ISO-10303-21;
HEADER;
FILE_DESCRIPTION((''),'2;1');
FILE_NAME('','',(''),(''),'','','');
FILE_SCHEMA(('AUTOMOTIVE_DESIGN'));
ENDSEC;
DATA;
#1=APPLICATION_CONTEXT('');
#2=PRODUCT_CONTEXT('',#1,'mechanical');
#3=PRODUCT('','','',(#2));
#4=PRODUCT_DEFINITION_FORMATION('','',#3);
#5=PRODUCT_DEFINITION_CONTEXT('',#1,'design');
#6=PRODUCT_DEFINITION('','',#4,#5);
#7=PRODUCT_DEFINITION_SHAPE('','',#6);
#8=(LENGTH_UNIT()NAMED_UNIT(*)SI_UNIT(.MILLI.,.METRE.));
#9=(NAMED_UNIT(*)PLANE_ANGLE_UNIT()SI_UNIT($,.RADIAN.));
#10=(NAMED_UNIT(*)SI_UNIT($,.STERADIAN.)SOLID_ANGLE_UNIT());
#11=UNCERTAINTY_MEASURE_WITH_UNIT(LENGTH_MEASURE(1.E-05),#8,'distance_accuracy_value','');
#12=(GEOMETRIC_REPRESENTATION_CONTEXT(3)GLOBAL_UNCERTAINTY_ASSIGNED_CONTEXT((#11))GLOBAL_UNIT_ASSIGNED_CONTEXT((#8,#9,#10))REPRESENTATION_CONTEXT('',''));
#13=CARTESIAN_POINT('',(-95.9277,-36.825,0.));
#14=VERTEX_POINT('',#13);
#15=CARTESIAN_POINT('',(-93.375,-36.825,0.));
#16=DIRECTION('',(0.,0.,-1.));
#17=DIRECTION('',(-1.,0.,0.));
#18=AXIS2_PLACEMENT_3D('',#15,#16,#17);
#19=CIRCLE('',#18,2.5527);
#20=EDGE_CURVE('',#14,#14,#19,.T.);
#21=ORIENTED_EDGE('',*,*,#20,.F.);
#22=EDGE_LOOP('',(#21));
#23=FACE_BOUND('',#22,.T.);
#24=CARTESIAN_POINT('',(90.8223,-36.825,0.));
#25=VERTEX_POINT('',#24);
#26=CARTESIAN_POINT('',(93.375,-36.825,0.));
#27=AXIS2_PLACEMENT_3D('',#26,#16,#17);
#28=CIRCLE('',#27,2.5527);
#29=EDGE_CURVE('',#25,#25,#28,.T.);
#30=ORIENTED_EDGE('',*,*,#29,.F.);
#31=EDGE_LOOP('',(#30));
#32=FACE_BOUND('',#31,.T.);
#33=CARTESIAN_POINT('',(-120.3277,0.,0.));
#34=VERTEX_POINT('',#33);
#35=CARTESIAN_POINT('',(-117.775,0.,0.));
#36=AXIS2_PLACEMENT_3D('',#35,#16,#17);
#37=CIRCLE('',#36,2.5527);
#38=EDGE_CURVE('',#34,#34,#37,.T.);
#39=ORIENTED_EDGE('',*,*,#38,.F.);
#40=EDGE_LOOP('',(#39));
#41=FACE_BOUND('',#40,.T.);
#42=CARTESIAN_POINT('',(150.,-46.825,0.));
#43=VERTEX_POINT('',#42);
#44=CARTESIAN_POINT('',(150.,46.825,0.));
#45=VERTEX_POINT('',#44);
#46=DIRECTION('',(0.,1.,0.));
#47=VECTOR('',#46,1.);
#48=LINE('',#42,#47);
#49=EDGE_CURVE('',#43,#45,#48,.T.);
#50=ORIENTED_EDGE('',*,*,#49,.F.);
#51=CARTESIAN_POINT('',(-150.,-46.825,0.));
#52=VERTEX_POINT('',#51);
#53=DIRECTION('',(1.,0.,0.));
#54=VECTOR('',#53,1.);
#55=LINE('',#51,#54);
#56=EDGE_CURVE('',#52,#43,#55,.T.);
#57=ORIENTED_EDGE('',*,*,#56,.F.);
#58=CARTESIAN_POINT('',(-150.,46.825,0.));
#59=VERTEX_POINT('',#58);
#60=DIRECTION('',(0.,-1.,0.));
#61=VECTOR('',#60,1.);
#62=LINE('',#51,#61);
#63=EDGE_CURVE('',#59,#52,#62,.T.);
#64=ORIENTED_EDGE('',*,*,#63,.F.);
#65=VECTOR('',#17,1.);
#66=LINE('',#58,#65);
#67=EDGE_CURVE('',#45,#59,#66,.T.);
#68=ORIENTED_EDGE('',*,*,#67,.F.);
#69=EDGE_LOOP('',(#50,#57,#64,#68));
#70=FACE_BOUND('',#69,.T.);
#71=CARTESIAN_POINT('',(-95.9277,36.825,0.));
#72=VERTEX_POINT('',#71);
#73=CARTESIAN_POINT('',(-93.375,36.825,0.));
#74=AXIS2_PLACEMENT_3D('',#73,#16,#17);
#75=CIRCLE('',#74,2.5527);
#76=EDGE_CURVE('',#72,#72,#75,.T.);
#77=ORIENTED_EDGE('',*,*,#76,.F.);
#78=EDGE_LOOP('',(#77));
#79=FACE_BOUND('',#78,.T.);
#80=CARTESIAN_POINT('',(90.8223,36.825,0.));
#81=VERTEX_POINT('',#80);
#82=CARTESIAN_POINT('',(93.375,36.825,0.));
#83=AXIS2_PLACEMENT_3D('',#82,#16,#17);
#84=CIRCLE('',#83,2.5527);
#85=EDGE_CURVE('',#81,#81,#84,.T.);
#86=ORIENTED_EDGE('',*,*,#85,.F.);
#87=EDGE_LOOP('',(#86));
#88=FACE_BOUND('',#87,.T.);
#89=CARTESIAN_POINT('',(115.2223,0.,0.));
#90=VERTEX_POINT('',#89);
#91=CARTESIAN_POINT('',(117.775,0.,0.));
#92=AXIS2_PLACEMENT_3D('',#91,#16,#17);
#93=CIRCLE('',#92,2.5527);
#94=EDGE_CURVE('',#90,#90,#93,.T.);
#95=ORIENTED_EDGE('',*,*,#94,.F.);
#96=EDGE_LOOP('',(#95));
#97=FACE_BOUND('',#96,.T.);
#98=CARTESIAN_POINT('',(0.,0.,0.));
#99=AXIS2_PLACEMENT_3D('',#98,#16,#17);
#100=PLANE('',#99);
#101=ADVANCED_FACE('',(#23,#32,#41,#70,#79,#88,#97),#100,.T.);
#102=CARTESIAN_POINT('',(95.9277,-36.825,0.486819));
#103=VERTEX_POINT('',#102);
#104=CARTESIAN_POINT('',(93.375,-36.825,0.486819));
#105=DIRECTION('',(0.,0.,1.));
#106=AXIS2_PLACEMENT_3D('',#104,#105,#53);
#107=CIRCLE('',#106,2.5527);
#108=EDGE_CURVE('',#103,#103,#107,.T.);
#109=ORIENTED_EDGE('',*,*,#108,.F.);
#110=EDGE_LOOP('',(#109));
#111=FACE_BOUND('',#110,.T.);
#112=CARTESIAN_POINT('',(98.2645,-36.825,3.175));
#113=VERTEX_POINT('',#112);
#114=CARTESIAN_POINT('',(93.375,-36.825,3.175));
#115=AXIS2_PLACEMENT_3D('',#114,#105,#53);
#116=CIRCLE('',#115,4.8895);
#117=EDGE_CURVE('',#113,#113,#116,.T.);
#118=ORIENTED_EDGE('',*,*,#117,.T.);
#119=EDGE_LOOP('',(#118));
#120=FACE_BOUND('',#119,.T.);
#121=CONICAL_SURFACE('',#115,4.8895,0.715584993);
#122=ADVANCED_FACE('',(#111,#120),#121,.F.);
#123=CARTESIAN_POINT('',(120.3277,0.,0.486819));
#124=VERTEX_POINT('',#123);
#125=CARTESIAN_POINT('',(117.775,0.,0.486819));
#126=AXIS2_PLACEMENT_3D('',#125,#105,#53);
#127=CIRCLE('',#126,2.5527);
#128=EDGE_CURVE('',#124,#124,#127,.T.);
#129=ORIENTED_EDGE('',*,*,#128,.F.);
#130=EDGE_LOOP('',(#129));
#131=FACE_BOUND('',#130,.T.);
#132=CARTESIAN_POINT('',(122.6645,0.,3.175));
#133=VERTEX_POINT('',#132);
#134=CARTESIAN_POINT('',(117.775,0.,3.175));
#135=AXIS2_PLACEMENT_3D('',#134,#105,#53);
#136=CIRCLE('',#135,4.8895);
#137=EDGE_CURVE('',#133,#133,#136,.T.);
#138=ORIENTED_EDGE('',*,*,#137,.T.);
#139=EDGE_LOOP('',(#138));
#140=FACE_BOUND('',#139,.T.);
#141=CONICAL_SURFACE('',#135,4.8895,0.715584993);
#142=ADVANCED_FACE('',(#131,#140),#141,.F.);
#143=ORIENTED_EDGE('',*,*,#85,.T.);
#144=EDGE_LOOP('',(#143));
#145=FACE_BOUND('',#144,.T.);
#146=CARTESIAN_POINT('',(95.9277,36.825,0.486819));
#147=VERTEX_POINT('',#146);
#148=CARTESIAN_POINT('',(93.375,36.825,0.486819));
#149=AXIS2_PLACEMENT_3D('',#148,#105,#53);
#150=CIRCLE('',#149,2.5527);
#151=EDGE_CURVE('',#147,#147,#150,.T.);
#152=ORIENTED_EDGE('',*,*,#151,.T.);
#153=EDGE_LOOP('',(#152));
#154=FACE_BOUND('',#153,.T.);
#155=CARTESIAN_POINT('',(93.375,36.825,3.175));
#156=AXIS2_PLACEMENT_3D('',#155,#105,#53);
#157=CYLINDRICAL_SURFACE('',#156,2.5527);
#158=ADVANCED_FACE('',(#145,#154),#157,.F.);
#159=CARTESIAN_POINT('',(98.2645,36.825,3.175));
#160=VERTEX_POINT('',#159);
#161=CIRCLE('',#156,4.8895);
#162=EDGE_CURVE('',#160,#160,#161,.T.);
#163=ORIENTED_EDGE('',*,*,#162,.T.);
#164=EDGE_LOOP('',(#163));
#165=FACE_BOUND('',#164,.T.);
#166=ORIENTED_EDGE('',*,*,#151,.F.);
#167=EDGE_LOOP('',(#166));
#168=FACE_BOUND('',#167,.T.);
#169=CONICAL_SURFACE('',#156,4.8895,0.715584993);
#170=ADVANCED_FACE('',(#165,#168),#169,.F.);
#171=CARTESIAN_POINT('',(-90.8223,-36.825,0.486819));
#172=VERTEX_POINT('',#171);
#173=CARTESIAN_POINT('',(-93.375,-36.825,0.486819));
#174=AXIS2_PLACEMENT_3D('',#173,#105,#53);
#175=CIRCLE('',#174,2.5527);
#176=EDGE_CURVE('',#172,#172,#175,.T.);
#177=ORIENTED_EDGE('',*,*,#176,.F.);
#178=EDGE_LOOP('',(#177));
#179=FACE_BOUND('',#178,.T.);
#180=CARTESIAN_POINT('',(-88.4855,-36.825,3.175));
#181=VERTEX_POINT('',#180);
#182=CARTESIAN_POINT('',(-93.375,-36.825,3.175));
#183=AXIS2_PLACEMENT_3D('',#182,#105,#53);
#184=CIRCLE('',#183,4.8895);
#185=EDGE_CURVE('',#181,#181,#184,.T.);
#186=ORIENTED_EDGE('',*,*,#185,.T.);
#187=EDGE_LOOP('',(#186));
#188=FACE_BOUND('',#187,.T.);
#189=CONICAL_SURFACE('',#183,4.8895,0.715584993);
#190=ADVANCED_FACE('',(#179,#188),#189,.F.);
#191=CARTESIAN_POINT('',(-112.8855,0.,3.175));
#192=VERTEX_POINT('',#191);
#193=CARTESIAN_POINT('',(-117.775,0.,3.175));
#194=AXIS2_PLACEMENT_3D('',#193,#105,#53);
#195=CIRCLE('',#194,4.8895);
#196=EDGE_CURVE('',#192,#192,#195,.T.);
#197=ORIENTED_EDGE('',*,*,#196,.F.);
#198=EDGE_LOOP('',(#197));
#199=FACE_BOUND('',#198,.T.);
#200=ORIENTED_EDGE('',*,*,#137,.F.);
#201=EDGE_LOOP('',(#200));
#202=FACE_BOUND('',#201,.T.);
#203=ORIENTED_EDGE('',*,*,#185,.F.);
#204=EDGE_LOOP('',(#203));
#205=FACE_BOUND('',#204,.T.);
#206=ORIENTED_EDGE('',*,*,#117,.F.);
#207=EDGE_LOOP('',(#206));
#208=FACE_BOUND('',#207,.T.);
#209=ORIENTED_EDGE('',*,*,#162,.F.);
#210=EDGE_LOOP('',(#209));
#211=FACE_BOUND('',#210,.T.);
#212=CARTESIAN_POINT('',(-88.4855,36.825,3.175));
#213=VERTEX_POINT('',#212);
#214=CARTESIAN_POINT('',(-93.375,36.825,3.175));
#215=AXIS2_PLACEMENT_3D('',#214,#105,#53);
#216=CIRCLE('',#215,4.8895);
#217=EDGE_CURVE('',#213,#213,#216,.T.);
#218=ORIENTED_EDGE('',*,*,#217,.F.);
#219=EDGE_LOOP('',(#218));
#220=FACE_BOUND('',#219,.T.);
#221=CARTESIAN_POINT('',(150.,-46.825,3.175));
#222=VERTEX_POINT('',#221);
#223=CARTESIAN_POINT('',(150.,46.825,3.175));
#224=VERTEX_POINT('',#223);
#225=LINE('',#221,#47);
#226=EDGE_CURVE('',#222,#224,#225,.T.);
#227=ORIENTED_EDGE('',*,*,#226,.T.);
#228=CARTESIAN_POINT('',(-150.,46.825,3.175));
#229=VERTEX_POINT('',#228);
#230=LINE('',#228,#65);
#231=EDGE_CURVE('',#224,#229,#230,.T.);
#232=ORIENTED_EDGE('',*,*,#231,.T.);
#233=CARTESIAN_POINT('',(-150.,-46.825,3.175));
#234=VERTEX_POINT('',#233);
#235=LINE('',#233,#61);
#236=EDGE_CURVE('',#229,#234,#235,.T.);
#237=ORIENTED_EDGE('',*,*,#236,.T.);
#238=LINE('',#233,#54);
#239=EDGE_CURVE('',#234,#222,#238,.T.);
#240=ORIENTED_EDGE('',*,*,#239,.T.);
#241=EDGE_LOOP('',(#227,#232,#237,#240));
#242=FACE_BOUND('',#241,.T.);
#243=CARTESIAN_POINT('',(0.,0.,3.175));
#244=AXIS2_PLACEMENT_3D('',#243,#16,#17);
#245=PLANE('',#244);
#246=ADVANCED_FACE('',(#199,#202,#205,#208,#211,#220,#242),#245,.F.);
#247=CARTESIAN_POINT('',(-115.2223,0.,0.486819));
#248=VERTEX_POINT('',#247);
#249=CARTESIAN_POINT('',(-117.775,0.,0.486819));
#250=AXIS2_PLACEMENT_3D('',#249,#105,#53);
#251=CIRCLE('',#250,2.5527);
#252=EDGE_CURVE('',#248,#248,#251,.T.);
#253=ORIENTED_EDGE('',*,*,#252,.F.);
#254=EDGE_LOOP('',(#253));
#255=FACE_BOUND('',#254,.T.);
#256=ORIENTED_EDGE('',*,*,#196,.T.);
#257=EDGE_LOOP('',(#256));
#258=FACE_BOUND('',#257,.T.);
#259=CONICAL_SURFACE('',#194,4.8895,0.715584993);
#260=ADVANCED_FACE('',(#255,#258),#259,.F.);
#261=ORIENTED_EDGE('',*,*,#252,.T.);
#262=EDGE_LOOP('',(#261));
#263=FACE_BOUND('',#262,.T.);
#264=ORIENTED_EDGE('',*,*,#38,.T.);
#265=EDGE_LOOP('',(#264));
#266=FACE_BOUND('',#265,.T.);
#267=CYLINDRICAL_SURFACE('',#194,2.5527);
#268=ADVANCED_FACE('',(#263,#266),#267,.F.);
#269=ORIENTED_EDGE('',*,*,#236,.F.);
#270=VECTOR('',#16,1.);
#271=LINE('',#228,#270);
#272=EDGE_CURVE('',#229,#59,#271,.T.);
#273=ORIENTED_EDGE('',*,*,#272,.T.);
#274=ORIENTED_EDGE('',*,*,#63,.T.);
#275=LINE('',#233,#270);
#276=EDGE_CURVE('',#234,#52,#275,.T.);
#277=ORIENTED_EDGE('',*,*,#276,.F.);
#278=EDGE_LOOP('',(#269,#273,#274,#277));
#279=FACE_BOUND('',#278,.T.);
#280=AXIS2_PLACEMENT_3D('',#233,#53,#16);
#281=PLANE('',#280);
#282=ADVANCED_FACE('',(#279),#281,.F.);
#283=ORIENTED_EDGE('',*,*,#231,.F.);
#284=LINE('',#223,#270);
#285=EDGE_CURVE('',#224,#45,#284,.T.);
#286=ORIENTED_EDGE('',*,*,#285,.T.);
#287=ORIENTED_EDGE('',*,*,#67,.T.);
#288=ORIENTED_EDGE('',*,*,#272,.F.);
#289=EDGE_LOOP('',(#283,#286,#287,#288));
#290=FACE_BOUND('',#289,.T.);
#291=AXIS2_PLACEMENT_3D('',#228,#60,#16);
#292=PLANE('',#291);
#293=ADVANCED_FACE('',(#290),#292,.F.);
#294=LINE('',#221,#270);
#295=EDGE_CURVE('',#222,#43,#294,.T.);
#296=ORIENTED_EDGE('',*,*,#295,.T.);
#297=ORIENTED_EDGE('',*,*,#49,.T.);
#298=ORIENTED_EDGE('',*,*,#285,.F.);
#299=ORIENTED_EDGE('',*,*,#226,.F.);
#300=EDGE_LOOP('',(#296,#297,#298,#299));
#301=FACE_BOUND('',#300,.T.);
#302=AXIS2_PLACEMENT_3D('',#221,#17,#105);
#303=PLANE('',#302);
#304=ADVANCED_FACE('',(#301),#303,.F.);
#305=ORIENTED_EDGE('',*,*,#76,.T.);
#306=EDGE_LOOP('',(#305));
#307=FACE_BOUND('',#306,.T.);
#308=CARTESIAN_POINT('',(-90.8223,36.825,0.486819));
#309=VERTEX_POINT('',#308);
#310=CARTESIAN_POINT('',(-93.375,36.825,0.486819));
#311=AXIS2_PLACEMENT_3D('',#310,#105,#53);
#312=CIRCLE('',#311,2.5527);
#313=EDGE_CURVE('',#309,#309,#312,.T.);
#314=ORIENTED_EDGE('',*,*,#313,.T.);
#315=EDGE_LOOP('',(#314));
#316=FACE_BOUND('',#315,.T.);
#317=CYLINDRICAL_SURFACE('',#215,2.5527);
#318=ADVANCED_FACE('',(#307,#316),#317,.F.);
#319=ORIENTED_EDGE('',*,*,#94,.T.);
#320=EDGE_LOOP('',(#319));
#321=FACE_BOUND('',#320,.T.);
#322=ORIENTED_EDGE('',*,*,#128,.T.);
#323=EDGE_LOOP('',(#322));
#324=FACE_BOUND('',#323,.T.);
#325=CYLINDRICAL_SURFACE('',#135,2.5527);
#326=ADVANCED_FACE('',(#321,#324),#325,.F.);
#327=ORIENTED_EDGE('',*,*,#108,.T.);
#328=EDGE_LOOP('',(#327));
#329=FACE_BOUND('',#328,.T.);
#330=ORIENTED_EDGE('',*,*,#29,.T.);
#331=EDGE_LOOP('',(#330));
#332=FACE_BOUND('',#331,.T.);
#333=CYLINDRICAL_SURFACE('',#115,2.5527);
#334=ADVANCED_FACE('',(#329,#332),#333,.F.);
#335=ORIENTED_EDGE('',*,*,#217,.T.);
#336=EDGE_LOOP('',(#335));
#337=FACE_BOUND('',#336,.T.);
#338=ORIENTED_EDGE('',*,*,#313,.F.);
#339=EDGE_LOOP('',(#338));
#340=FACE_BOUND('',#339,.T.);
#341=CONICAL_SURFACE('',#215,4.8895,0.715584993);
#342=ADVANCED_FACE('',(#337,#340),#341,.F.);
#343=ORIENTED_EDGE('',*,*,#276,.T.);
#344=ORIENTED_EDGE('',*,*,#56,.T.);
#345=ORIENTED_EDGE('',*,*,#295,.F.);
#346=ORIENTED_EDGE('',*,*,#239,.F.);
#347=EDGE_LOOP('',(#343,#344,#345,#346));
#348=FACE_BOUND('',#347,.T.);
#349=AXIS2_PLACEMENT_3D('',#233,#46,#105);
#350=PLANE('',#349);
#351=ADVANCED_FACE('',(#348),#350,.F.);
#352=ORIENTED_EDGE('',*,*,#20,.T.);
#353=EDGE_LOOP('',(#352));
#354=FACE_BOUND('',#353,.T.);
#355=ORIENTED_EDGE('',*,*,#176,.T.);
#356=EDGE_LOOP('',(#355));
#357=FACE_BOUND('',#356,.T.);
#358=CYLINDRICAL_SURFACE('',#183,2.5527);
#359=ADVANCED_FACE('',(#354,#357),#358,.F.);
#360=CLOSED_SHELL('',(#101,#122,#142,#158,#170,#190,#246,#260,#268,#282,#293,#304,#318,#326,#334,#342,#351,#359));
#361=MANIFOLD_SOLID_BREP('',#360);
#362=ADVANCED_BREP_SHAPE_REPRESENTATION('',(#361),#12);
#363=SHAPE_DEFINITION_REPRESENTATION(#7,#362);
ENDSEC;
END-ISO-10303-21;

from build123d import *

# Parameters (mm, degrees)
SKETCH1_W                                       = 299.999999694
SKETCH1_H                                       = 93.649999898
BOSS_EXTRUDE1_DEPTH                             = 3.175
CSK_FOR_10_FLAT_HEAD_MACHINE_SCREW1_D           = 5.1054
CSK_FOR_10_FLAT_HEAD_MACHINE_SCREW1_DEPTH       = 4.826
CSK_FOR_10_FLAT_HEAD_MACHINE_SCREW1_CSINK_D     = 9.779
CSK_FOR_10_FLAT_HEAD_MACHINE_SCREW1_CSINK_ANGLE = 82
CSK_FOR_10_FLAT_HEAD_MACHINE_SCREW1_TIP         = 1.533816902
CSK_FOR_10_FLAT_HEAD_MACHINE_SCREW2_D           = 5.1054
CSK_FOR_10_FLAT_HEAD_MACHINE_SCREW2_DEPTH       = 4.826
CSK_FOR_10_FLAT_HEAD_MACHINE_SCREW2_CSINK_D     = 9.779
CSK_FOR_10_FLAT_HEAD_MACHINE_SCREW2_CSINK_ANGLE = 82
CSK_FOR_10_FLAT_HEAD_MACHINE_SCREW2_TIP         = 1.533816902


with BuildPart() as part:
    # Sketch1 → Boss-Extrude1 (new body)
    with BuildSketch(Plane.XY):
        Rectangle(SKETCH1_W, SKETCH1_H)
    extrude(amount=BOSS_EXTRUDE1_DEPTH)

    # CSK for #10 Flat Head Machine Screw1
    with Locations(Plane.XY.offset(3.175)):
        with Locations((-93.374999847, 36.824999949), (93.374999847, 36.824999949), (93.374999847, -36.824999949), (-93.374999847, -36.824999949)):
            CounterSinkHole(CSK_FOR_10_FLAT_HEAD_MACHINE_SCREW1_D / 2, CSK_FOR_10_FLAT_HEAD_MACHINE_SCREW1_CSINK_D / 2, depth=CSK_FOR_10_FLAT_HEAD_MACHINE_SCREW1_DEPTH, counter_sink_angle=CSK_FOR_10_FLAT_HEAD_MACHINE_SCREW1_CSINK_ANGLE)
            with Locations((0, 0, -(CSK_FOR_10_FLAT_HEAD_MACHINE_SCREW1_DEPTH + CSK_FOR_10_FLAT_HEAD_MACHINE_SCREW1_TIP / 2))):  # 118° drill point
                Cone(0, CSK_FOR_10_FLAT_HEAD_MACHINE_SCREW1_D / 2, CSK_FOR_10_FLAT_HEAD_MACHINE_SCREW1_TIP, mode=Mode.SUBTRACT)

    # CSK for #10 Flat Head Machine Screw2
    with Locations(Plane.XY.offset(3.175)):
        with Locations((-117.774999847, 0), (117.774999847, 0)):
            CounterSinkHole(CSK_FOR_10_FLAT_HEAD_MACHINE_SCREW2_D / 2, CSK_FOR_10_FLAT_HEAD_MACHINE_SCREW2_CSINK_D / 2, depth=CSK_FOR_10_FLAT_HEAD_MACHINE_SCREW2_DEPTH, counter_sink_angle=CSK_FOR_10_FLAT_HEAD_MACHINE_SCREW2_CSINK_ANGLE)
            with Locations((0, 0, -(CSK_FOR_10_FLAT_HEAD_MACHINE_SCREW2_DEPTH + CSK_FOR_10_FLAT_HEAD_MACHINE_SCREW2_TIP / 2))):  # 118° drill point
                Cone(0, CSK_FOR_10_FLAT_HEAD_MACHINE_SCREW2_D / 2, CSK_FOR_10_FLAT_HEAD_MACHINE_SCREW2_TIP, mode=Mode.SUBTRACT)


solid = part.part
